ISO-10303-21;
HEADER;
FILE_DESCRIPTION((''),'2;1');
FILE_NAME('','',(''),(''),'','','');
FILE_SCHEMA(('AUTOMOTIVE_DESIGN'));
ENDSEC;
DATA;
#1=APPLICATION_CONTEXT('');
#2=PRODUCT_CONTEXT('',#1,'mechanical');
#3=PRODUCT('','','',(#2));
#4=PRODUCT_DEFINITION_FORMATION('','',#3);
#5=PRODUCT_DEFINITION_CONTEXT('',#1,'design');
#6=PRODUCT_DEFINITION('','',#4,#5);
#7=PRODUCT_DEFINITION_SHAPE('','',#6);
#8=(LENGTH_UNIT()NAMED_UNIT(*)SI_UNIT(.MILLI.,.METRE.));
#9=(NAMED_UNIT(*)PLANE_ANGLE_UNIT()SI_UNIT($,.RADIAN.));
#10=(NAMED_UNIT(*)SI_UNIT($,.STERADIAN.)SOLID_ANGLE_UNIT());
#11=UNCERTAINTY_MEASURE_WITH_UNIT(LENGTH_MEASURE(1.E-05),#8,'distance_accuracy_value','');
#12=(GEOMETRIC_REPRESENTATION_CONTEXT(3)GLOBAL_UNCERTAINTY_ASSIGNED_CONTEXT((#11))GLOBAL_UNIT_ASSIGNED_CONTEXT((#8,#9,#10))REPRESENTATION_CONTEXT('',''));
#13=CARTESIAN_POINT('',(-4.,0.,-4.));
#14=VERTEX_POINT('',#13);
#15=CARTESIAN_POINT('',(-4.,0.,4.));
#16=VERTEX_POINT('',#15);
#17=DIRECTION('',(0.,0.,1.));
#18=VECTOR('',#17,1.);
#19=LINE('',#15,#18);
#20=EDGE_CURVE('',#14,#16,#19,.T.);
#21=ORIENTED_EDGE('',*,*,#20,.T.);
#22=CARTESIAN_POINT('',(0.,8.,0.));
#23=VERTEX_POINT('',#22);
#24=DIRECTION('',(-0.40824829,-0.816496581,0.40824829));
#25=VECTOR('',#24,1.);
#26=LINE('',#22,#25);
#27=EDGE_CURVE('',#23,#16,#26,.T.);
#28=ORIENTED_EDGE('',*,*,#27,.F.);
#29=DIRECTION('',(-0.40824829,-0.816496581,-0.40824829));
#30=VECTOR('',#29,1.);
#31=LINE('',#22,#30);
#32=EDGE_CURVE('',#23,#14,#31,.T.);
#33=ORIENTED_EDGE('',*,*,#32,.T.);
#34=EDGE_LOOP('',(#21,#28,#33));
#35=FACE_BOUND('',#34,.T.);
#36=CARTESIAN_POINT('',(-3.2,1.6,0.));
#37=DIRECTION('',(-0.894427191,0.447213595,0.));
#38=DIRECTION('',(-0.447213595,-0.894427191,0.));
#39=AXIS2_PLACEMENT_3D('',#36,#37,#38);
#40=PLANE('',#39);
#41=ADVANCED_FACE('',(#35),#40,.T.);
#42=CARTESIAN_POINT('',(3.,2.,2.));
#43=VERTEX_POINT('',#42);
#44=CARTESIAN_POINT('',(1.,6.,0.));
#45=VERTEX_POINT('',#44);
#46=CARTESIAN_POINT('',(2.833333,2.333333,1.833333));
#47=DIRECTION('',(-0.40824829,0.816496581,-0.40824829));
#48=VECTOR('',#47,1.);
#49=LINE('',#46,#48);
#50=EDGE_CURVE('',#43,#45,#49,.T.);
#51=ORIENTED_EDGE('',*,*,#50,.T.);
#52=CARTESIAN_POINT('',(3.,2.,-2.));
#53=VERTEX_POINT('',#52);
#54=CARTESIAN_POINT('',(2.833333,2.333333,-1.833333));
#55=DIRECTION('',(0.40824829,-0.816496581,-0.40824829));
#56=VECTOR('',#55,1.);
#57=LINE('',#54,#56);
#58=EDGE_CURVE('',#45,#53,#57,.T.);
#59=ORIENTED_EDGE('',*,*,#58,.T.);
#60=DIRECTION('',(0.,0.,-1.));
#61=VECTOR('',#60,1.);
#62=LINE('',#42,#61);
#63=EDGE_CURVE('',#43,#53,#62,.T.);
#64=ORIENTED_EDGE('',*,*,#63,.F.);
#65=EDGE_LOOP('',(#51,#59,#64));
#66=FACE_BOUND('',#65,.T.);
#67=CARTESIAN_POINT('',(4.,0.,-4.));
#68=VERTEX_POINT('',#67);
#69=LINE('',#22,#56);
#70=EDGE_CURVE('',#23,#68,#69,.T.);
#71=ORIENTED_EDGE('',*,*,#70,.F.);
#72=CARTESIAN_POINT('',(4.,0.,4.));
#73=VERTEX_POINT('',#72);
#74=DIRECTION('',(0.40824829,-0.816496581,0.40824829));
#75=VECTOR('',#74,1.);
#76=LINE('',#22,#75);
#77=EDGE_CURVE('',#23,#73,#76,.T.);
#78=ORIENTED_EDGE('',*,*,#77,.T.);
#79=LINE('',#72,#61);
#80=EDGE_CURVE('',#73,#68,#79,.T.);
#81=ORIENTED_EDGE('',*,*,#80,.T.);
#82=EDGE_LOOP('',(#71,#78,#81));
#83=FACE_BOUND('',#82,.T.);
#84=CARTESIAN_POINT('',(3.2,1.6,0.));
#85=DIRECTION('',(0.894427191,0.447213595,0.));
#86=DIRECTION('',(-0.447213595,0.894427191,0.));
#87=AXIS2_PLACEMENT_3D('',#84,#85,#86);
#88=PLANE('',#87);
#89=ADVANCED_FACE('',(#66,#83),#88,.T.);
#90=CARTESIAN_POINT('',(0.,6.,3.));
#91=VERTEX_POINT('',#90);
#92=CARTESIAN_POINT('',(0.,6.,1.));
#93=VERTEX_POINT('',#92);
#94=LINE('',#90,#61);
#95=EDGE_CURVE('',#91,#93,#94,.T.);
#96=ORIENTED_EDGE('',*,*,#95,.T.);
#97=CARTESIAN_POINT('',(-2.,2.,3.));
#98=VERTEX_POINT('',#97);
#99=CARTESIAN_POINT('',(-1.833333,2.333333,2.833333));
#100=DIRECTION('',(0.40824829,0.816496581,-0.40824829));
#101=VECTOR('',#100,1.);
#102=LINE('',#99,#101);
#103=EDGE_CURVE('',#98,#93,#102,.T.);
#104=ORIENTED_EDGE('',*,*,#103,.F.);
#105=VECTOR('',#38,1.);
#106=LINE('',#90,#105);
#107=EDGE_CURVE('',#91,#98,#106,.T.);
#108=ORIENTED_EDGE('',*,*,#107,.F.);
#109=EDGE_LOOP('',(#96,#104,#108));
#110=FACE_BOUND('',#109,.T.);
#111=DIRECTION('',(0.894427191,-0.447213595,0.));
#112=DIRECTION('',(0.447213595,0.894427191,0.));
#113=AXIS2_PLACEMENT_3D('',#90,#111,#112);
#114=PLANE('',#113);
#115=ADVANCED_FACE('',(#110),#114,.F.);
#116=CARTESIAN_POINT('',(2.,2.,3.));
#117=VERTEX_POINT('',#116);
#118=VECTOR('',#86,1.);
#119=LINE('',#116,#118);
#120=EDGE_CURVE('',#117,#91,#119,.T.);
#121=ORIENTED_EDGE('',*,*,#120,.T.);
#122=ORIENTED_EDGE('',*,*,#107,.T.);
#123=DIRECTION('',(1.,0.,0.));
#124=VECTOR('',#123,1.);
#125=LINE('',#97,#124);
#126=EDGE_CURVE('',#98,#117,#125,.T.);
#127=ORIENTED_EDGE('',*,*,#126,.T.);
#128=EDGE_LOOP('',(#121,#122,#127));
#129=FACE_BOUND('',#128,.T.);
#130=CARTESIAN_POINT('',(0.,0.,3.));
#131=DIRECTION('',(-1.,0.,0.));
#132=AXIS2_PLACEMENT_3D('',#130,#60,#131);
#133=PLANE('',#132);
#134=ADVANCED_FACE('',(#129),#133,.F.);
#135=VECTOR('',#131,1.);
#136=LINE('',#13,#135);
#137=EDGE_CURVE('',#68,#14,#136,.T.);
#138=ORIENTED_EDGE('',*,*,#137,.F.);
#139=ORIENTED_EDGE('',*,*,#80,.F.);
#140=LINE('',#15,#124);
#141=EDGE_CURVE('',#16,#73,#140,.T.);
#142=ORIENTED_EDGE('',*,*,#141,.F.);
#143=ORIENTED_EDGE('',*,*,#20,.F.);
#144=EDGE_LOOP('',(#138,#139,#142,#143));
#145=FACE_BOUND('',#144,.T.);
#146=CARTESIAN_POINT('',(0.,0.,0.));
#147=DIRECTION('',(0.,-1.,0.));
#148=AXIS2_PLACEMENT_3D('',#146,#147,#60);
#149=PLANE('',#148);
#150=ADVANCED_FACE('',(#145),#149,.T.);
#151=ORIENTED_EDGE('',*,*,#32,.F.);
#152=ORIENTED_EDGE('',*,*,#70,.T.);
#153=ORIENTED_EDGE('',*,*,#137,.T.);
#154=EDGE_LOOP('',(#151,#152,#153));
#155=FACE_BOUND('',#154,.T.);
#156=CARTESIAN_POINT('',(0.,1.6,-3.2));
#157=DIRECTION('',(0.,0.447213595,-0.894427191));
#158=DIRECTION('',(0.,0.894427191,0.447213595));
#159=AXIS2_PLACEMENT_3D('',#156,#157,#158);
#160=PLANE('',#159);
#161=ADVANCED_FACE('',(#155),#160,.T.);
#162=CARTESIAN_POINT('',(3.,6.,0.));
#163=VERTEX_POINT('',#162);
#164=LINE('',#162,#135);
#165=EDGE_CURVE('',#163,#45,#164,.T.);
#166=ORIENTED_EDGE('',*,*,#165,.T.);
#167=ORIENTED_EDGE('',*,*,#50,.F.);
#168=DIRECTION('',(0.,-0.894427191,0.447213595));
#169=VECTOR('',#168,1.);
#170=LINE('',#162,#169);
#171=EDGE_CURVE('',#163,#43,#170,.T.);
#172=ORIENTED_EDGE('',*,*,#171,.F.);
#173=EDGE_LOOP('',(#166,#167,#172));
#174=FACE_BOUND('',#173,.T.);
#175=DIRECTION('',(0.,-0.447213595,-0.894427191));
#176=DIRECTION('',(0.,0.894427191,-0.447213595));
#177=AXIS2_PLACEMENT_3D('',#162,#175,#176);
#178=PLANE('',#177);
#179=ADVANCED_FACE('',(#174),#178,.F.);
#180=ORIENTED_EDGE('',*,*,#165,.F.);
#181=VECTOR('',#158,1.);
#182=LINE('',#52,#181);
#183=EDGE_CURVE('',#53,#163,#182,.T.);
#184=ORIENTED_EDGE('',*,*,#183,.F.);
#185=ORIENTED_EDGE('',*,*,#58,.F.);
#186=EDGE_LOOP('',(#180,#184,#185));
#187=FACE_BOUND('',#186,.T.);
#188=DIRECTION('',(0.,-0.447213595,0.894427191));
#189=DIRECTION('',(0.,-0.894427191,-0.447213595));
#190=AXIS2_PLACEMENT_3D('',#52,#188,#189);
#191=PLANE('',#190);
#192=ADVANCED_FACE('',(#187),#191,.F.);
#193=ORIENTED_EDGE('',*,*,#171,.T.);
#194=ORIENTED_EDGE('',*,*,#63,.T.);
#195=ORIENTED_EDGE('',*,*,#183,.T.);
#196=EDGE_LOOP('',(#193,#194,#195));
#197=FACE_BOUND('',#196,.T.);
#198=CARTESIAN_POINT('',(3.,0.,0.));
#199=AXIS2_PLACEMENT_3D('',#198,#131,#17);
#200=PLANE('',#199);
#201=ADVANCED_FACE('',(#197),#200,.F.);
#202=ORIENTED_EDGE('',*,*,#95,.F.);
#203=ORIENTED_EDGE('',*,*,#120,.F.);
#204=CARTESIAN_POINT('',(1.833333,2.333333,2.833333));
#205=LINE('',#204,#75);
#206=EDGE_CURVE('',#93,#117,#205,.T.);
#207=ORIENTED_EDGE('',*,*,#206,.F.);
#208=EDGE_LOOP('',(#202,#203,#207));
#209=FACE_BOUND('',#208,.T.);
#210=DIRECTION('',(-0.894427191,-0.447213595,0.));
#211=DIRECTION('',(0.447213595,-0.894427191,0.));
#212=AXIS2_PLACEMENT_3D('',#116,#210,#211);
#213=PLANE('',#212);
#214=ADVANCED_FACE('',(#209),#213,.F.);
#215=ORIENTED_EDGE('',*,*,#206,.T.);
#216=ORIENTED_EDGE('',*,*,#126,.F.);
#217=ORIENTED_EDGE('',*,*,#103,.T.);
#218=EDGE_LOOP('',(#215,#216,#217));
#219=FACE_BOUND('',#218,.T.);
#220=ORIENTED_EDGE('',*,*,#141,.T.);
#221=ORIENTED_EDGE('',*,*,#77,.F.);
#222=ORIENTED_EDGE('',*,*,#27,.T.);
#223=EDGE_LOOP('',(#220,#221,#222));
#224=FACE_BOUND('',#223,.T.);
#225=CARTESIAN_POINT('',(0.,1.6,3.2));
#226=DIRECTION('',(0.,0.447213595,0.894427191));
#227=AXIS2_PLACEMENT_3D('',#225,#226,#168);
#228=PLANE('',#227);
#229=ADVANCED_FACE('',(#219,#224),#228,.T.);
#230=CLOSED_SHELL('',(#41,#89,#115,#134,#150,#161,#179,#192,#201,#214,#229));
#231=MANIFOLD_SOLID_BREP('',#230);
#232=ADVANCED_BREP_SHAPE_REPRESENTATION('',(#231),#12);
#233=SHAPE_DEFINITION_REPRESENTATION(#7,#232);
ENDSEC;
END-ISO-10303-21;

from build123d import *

# Parameters (mm, degrees)
SKETCH1_W             = 8
SKETCH1_H             = 8
BOSS_EXTRUDE1_DEPTH   = 3
BODY_MOVE_COPY1_ANGLE = 90


with BuildPart() as part:
    # Sketch1 → Loft1 section 0
    with BuildSketch(Plane(origin=(0, 0, 0), x_dir=(1, 0, 0), z_dir=(0, 1, 0)), mode=Mode.PRIVATE) as loft1_s0:
        Rectangle(SKETCH1_W, SKETCH1_H)
    loft([Vertex(0, 8, 0), loft1_s0.sketch])


with BuildPart() as body_2:
    # Sketch5 → Boss-Extrude1 (new body)
    with BuildSketch(Plane.XY):
        Polygon((0, 6), (-2, 2), (2, 2), align=None)
    extrude(amount=BOSS_EXTRUDE1_DEPTH)


with BuildPart() as body_3:
    # Body-Move/Copy1: copy of body 2
    add(body_2.part.rotate(Axis((0, 0, 0), (0, 1, 0)), BODY_MOVE_COPY1_ANGLE))


with BuildPart() as part_1:
    add(part.part)

    # Combine1: union body 2, body 3
    add(body_2.part)
    add(body_3.part)


solid = part_1.part
